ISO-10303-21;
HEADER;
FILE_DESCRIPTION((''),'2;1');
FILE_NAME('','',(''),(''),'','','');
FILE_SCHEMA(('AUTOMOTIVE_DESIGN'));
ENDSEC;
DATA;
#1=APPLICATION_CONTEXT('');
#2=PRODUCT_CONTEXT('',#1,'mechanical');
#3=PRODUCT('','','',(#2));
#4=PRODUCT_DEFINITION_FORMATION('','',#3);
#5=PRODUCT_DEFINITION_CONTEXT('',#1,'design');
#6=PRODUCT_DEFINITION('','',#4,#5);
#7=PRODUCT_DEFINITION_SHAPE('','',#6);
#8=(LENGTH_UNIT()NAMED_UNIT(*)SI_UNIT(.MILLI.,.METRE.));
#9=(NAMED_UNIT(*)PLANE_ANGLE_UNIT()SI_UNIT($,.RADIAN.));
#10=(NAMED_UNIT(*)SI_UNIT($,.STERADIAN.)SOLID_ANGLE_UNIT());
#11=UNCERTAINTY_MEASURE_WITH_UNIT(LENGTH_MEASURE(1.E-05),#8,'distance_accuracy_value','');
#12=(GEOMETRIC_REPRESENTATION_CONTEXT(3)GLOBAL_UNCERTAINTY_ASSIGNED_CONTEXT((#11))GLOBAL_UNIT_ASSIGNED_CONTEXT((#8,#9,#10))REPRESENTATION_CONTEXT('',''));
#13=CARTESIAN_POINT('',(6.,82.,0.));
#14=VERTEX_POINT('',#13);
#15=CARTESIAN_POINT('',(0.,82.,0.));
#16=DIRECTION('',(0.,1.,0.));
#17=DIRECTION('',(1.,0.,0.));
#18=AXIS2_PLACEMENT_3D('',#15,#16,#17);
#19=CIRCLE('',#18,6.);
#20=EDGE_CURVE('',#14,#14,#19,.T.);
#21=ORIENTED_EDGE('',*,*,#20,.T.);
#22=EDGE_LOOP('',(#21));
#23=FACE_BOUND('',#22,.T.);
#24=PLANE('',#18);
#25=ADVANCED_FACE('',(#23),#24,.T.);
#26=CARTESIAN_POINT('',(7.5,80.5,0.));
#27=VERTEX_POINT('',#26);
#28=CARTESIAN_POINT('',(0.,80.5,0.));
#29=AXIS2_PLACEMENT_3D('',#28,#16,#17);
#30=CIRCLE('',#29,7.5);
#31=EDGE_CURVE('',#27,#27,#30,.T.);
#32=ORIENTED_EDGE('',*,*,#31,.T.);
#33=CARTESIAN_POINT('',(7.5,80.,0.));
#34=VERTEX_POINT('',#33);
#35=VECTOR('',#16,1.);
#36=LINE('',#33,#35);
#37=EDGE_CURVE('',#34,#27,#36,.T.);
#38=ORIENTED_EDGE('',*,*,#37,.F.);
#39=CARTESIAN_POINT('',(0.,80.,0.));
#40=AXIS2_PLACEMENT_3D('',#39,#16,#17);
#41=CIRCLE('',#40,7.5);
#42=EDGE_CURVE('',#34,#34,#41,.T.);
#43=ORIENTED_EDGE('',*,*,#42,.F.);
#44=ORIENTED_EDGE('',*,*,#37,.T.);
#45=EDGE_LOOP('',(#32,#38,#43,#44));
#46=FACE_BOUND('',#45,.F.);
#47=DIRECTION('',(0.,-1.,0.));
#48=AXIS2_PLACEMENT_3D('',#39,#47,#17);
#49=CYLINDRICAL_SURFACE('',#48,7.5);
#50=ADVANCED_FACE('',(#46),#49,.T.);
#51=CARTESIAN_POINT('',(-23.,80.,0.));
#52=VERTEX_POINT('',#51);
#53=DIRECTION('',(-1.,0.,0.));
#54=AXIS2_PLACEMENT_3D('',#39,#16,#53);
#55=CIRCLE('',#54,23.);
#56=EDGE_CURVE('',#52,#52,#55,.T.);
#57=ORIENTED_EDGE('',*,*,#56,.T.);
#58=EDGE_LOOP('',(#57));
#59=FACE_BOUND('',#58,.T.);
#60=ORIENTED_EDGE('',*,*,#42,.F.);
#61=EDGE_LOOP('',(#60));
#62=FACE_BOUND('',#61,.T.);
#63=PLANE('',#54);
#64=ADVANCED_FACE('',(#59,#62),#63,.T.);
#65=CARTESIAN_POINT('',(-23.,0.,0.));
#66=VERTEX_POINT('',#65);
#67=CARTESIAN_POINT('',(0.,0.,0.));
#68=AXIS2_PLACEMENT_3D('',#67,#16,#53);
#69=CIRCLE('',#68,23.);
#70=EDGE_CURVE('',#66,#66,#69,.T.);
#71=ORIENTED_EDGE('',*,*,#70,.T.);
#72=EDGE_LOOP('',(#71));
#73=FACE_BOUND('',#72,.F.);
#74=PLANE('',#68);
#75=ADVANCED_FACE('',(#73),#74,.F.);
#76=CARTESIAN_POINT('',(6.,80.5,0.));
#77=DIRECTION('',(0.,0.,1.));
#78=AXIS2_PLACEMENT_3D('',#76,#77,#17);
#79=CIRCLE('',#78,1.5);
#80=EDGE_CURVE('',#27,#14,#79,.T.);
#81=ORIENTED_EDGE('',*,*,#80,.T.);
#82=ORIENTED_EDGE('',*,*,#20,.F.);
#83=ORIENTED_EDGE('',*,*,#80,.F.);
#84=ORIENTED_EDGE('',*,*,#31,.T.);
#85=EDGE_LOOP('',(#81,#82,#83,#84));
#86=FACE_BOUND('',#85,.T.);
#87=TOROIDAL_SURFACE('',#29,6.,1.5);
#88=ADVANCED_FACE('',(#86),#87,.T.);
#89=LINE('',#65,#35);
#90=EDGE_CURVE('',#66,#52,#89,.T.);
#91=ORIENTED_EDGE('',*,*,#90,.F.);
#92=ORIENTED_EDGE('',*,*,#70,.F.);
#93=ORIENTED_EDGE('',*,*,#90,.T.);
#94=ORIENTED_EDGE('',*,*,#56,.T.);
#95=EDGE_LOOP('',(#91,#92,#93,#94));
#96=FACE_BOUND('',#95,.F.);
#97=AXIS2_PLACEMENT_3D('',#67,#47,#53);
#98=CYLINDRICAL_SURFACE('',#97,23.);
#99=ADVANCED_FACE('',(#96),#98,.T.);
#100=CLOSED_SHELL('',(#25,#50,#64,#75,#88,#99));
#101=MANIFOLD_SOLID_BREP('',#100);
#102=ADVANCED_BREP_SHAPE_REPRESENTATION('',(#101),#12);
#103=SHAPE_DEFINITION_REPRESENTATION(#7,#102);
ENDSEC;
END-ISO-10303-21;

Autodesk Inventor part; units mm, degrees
ref_plane "YZ Plane" through (0, 0, 0) normal (1, 0, 0) x (0, 1, 0)
ref_plane "XZ Plane" through (0, 0, 0) normal (0, 1, 0) x (-1, 0, 0)
ref_plane "XY Plane" through (0, 0, 0) normal (0, 0, 1) x (1, 0, 0)
sketch "Szkic1" plane through (0, 0, 0) normal (0, 1, 0) x (-1, 0, 0)
  circle A0 centre (0, 0) radius 23
  dimension "d0" = 46
extrude "Wyciągnięcie proste1" add sketch "Szkic1" along normal blind 80
sketch "Szkic2" plane through (0, 80, 0) normal (0, 1, 0) x (1, 0, 0)
  circle A0 centre (0, 0) radius 7.5
  dimension "d3" = 15
extrude "Wyciągnięcie proste2" add sketch "Szkic2" along normal blind 2
fillet "Zaokrąglenie1" radius 1.5 1 edges at (-7.5, 82, 0)
properties part number "Model_Ogniwa"
